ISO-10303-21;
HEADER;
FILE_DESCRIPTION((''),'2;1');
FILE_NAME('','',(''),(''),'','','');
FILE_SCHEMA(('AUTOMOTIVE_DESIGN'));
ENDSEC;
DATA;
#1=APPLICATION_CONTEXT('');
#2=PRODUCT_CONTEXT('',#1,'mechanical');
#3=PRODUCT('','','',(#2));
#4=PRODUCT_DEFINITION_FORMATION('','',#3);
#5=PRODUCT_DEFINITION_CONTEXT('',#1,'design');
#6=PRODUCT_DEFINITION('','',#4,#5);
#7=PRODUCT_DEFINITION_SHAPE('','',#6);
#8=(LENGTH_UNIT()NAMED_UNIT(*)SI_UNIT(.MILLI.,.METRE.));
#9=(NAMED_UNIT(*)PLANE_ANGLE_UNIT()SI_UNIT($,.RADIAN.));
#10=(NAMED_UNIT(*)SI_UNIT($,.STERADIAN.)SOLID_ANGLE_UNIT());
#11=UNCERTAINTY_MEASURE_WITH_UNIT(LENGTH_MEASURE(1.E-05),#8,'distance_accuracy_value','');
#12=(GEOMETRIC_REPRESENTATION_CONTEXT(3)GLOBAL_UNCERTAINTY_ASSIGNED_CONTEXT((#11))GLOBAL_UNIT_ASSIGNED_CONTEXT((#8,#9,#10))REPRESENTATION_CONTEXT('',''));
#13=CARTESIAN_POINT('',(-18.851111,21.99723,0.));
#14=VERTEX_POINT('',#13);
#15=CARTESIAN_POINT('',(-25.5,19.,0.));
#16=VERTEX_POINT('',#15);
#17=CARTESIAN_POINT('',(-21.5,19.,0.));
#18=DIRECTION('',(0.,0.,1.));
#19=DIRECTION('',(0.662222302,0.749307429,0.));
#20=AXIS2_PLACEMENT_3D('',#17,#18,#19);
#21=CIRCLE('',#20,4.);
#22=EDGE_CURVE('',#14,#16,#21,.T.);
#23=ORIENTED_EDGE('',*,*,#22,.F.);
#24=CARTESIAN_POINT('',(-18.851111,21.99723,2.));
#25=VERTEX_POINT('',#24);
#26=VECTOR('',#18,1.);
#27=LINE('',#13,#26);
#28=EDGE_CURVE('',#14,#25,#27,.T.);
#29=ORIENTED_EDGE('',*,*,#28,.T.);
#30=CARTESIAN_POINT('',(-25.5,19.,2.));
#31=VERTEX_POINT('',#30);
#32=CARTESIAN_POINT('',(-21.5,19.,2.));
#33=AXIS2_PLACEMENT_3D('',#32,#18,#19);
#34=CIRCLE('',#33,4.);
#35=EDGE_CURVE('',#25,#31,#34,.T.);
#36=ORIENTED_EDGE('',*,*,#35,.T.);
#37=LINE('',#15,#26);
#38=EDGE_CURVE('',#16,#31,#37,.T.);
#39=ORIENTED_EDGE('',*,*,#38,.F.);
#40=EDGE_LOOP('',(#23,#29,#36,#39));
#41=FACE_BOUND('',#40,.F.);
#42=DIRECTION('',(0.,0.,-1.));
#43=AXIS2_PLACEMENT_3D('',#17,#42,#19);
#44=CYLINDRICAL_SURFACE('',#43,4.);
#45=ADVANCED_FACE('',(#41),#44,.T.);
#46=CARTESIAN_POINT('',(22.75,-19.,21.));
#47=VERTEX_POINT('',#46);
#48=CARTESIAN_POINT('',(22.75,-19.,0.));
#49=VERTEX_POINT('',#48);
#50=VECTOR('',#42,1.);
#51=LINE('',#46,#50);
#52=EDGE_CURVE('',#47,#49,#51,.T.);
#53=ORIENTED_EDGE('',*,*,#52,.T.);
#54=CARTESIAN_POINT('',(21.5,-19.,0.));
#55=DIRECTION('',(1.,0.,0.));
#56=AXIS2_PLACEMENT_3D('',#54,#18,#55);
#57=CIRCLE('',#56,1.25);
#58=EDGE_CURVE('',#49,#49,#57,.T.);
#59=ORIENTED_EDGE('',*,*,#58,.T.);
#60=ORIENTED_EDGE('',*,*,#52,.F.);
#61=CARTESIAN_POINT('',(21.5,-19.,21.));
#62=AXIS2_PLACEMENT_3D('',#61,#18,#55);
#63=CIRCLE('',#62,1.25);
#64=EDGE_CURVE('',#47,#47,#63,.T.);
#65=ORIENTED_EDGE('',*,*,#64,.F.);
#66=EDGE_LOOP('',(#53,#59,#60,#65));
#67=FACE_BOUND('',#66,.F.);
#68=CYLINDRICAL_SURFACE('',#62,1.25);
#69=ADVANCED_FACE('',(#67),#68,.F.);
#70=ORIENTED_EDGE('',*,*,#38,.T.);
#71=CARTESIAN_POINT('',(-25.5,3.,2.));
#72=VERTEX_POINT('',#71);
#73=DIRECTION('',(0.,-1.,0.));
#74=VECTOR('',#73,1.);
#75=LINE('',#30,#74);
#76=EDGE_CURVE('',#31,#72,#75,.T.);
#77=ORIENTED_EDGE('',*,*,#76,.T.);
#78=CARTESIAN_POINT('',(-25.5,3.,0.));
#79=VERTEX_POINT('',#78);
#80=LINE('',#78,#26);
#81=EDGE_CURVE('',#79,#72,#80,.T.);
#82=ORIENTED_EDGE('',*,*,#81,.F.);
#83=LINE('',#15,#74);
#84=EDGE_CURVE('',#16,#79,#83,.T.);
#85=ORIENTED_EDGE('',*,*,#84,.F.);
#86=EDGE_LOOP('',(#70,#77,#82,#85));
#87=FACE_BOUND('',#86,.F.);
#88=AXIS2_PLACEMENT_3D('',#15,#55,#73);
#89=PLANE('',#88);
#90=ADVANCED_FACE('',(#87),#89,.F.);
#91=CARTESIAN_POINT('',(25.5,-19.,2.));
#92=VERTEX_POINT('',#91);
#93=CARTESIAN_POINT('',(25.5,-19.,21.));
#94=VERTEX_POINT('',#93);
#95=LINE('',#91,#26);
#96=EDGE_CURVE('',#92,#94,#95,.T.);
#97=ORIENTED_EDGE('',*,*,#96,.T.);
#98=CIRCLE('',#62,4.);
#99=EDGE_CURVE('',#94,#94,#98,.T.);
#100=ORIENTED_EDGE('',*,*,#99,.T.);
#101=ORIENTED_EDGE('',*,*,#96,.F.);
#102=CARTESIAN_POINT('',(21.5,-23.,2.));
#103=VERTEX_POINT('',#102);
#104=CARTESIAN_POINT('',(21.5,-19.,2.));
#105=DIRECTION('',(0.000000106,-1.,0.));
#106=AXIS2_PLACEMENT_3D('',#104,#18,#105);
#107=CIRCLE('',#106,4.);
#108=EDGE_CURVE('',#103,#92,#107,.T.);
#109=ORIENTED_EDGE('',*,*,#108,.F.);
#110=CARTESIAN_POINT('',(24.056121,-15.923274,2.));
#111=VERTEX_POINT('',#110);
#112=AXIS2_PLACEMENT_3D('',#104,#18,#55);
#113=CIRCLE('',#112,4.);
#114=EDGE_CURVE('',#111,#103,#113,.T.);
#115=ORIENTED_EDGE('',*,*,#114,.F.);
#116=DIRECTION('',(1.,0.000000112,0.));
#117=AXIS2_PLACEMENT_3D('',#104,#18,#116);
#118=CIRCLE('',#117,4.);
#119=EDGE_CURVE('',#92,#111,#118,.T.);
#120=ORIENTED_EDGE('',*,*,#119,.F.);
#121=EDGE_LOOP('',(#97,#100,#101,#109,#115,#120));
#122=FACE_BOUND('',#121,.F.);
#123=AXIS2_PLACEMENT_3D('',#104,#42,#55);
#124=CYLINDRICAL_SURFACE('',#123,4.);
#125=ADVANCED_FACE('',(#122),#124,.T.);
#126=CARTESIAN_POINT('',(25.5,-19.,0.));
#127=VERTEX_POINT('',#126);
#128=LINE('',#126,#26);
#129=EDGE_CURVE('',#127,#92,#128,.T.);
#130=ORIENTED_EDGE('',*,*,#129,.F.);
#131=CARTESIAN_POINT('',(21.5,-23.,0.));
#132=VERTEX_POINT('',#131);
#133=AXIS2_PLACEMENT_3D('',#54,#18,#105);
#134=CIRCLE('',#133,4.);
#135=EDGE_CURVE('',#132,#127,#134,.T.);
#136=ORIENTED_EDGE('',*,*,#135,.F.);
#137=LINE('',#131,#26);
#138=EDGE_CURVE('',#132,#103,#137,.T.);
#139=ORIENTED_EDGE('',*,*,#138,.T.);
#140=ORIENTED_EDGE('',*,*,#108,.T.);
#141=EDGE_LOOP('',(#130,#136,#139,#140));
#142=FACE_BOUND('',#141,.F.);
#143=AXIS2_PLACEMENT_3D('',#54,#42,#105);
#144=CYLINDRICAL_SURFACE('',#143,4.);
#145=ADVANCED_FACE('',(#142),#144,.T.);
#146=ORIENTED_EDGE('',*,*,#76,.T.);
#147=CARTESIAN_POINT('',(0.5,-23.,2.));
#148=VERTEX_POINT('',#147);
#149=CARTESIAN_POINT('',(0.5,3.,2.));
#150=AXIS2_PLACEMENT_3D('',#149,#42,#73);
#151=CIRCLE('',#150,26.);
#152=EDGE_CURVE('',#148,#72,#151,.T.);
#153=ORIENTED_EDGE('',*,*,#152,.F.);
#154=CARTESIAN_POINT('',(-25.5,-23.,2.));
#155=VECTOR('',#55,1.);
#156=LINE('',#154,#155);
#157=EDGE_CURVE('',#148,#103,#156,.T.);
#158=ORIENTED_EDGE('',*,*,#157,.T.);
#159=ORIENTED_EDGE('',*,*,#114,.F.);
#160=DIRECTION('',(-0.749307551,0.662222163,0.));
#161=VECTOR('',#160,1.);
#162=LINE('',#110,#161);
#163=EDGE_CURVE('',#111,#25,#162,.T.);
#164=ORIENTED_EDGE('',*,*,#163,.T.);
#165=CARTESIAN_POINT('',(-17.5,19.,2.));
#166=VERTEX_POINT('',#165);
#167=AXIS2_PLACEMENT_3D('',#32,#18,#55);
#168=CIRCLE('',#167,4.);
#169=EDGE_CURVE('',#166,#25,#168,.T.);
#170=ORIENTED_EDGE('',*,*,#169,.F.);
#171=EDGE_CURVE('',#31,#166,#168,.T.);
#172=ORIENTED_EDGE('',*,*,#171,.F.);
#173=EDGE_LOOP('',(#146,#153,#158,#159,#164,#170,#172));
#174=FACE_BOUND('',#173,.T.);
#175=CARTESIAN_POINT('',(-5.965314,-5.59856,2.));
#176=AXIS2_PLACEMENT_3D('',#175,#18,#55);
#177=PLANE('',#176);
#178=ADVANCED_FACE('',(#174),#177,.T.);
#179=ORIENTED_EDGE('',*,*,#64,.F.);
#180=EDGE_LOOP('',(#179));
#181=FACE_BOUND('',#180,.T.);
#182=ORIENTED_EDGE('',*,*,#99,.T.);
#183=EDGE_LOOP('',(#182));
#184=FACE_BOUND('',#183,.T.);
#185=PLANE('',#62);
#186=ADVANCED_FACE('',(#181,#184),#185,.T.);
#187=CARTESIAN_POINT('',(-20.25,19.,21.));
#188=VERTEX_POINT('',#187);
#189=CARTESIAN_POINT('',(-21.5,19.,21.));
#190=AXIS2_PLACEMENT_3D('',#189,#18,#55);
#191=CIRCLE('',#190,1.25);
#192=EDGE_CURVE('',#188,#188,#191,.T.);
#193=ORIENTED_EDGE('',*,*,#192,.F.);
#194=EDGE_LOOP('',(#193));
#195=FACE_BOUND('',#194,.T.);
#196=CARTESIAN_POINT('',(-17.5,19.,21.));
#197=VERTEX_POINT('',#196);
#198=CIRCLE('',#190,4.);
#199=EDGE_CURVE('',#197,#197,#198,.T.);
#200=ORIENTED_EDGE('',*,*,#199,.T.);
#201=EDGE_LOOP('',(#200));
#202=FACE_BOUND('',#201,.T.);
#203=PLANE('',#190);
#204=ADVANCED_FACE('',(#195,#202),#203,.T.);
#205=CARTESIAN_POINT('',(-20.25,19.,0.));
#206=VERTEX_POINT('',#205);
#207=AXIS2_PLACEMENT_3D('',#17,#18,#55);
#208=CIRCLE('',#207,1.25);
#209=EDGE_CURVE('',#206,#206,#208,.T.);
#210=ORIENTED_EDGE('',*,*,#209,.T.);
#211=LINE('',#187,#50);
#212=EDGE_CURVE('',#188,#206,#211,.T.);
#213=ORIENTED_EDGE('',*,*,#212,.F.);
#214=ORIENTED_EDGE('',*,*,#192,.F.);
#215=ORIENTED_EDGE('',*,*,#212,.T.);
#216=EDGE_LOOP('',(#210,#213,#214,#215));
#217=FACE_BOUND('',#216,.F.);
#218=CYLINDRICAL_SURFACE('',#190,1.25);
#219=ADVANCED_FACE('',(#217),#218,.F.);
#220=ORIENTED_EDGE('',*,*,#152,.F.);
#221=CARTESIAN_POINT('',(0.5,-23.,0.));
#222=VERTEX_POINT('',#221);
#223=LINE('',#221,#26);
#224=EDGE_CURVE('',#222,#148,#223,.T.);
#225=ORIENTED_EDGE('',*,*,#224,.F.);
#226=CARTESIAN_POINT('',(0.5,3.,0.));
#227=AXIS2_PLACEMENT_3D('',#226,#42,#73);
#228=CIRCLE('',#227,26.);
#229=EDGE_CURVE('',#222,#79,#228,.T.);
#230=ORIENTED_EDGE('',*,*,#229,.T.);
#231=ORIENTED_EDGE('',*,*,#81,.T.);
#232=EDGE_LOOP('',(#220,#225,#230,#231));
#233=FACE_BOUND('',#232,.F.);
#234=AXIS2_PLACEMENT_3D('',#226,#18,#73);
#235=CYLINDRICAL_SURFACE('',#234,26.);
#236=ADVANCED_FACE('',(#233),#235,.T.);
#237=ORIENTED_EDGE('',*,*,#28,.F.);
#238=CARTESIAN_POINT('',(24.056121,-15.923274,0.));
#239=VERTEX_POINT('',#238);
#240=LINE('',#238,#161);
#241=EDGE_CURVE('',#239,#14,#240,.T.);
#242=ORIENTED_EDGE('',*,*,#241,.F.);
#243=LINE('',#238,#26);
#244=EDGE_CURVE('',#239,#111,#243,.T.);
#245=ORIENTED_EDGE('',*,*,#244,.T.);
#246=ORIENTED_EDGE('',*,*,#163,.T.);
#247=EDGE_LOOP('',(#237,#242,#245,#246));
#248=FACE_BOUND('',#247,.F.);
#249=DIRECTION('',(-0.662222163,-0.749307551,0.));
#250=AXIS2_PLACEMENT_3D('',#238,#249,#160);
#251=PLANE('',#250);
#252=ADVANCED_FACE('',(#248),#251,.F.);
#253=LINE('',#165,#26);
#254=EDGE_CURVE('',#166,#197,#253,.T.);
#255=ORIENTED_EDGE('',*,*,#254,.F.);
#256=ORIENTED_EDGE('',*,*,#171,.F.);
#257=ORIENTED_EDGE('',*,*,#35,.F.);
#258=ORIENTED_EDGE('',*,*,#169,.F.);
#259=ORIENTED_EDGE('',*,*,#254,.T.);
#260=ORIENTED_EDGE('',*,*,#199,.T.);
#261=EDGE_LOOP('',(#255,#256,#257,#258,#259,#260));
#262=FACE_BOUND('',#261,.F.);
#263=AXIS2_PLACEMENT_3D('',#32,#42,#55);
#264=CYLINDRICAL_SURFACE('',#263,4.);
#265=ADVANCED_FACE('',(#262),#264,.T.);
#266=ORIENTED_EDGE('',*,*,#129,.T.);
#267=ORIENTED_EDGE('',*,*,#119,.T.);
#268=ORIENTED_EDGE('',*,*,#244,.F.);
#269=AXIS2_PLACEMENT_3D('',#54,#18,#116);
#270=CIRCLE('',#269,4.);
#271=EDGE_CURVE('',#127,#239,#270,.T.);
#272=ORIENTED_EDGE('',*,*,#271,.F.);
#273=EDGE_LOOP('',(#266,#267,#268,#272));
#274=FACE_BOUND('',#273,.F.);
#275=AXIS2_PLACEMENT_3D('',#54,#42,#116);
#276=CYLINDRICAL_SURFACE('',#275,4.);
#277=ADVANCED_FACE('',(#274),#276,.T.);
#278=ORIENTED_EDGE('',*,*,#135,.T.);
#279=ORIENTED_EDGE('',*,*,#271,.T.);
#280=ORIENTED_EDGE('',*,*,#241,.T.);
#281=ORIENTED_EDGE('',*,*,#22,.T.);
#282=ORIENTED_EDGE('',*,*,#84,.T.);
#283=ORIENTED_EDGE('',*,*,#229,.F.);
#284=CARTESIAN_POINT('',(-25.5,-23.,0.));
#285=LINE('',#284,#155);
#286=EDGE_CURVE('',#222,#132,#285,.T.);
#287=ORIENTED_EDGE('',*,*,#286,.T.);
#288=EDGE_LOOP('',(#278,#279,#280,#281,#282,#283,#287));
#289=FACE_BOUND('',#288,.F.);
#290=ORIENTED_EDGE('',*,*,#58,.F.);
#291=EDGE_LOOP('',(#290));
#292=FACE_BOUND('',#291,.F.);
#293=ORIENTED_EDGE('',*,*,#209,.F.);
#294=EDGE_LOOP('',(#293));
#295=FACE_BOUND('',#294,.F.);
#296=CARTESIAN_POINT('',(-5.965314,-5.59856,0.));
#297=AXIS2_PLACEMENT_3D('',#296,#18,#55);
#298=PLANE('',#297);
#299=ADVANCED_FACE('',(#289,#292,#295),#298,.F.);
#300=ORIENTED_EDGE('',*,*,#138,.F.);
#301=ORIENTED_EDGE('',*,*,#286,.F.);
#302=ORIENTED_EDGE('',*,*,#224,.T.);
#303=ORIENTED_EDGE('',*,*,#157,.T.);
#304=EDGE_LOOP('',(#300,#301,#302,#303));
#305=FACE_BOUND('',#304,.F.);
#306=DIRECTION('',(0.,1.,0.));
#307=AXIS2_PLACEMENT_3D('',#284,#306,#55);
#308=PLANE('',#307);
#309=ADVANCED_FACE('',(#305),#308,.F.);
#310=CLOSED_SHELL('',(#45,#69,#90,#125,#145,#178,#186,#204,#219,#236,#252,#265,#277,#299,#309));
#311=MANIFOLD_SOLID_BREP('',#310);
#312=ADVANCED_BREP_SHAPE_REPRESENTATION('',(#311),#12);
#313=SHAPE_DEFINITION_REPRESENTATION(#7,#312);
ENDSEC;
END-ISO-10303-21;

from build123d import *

# Parameters (mm, degrees)
F1_DEPTH = 2
F2_R     = 4
F3_DEPTH = 19
F4_R     = 1.25
F5_DEPTH = 21.001
F6_R     = 1.25
F7_DEPTH = 21.001
F8_R     = 26


with BuildPart() as f1:
    # F0 (on Top) → F1 (new body)
    with BuildSketch(Plane.XY):
        with BuildLine():
            ThreePointArc((-17.5, 19), (-21.5, 15), (-25.5, 19))
            Line((-25.5, 19), (-25.5, -23))
            Line((-25.5, -23), (21.5, -23))
            ThreePointArc((21.5, -23), (17.737893, -17.641123), (24.056121, -15.923274))
            Line((24.056121, -15.923274), (-18.851111, 21.99723))
            ThreePointArc((-18.851111, 21.99723), (-17.853388, 20.643844), (-17.5, 19))
        make_face()
        with BuildLine():
            ThreePointArc((-18.851111, 21.99723), (-23.143844, 22.646612), (-25.5, 19))
            ThreePointArc((-25.5, 19), (-21.5, 15), (-17.5, 19))
            ThreePointArc((-17.5, 19), (-17.853388, 20.643844), (-18.851111, 21.99723))
        make_face()
        with BuildLine():
            ThreePointArc((24.056121, -15.923274), (17.737893, -17.641123), (21.5, -23))
            ThreePointArc((21.5, -23), (24.328427, -21.828427), (25.5, -19))
            ThreePointArc((25.5, -19), (25.121083, -17.30066), (24.056121, -15.923274))
        make_face()
    extrude(amount=F1_DEPTH)

    # F2 (on face) → F3 (join)
    with BuildSketch(Plane.XY.offset(2)):
        with Locations((-21.5, 19)):
            Circle(F2_R)
        with Locations((21.5, -19)):
            Circle(F2_R)
    extrude(amount=F3_DEPTH)

    # F4 (on face) → F5 (cut, through all)
    with BuildSketch(Plane.XY.offset(21)):
        with Locations((-21.5, 19)):
            Circle(F4_R)
    extrude(amount=-F5_DEPTH, mode=Mode.SUBTRACT)

    # F6 (on face) → F7 (cut, through all)
    with BuildSketch(Plane.XY.offset(21)):
        with Locations((21.5, -19)):
            Circle(F6_R)
    extrude(amount=-F7_DEPTH, mode=Mode.SUBTRACT)

    # F8
    f8_edges = [f1.edges().sort_by_distance(p)[0] for p in [
        (-25.5, -23, 1),
    ]]
    fillet(f8_edges, radius=F8_R)


solid = f1.part
